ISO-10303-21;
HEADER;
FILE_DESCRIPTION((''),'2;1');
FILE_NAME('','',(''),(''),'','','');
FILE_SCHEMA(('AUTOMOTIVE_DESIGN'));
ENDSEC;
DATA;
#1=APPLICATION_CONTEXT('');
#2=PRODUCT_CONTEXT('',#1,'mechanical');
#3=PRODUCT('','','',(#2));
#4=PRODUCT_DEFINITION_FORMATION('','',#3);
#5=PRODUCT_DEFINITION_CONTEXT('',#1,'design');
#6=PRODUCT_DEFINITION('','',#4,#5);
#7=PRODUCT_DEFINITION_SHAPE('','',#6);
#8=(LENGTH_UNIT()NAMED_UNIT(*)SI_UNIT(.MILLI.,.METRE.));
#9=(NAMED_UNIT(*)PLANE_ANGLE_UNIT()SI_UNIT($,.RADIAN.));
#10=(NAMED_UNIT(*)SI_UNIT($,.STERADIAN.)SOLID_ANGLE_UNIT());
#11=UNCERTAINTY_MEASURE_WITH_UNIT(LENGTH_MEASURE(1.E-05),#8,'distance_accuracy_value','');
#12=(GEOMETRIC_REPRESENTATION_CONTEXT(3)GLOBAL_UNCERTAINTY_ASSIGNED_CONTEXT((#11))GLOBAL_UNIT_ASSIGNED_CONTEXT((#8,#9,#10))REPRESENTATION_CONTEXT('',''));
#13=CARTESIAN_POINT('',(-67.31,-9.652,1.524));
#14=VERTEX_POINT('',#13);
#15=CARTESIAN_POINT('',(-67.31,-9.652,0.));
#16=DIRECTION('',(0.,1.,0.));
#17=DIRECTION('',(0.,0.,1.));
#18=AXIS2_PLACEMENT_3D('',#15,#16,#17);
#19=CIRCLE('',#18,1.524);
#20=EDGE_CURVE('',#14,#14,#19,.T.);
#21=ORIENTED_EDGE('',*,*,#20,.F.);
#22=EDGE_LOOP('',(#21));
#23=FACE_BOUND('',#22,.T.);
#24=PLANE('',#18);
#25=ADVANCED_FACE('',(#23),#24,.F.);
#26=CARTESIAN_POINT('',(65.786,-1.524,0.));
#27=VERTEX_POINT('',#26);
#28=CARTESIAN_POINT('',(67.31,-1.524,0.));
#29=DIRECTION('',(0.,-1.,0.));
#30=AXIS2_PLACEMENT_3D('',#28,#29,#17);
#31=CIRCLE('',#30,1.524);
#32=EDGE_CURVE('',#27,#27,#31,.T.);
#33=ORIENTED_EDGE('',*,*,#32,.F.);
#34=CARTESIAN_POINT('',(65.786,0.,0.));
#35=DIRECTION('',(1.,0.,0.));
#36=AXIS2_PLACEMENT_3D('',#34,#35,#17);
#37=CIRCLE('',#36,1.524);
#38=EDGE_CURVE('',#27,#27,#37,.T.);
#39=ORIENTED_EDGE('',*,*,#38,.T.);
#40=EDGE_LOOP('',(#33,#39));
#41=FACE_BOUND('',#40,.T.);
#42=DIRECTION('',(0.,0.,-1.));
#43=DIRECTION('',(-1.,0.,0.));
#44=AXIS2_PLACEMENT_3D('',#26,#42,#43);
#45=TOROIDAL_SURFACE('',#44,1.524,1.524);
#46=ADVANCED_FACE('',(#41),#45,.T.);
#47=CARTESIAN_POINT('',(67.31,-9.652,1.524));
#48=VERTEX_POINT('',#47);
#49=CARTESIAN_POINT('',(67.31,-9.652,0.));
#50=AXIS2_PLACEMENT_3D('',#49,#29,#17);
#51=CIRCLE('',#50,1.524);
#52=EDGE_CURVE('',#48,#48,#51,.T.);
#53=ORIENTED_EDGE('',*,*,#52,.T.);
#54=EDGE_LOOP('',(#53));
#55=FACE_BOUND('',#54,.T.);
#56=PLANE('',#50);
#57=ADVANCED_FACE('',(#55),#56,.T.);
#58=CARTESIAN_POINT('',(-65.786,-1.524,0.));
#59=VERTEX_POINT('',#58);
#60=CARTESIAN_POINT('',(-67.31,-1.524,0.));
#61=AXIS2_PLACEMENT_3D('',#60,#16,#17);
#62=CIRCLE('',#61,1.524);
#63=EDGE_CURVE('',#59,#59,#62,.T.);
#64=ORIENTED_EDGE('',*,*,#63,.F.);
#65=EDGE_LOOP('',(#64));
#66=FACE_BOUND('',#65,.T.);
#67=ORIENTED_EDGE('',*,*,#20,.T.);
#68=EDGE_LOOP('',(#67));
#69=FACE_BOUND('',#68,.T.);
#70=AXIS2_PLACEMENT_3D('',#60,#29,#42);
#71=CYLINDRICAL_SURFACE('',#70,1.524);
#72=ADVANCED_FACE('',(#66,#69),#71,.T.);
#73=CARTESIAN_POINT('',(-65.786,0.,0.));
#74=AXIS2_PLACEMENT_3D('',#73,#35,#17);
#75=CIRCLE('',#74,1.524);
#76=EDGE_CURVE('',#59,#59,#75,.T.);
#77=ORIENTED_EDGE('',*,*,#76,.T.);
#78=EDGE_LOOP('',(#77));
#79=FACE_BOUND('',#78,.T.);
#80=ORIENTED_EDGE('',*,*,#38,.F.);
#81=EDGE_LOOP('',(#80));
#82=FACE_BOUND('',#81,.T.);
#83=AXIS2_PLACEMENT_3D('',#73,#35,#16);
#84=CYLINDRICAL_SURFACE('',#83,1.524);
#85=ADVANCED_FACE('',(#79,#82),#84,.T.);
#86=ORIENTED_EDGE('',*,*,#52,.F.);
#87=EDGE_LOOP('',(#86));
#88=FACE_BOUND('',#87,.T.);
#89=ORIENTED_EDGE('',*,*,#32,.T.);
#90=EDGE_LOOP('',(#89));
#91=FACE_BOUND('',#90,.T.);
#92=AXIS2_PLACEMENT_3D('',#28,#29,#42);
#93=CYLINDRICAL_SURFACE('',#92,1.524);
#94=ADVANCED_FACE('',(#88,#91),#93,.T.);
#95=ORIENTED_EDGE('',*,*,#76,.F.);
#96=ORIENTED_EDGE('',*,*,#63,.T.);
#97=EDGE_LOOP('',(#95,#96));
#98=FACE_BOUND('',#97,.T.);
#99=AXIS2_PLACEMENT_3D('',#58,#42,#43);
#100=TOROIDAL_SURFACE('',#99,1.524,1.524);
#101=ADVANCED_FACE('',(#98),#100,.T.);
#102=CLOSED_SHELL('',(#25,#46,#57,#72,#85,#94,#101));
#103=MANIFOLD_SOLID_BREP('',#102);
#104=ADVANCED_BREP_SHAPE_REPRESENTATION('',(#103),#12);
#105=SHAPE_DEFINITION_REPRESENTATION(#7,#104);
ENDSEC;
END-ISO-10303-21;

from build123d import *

# Parameters (mm, degrees)
SKETCH5_R = 1.524


with BuildPart() as part:
    # Sweep1: sweep along a path in Sketch1
    with BuildLine(Plane.XY) as sweep1_path:
        Line((-67.31, -9.652), (-67.31, -1.524))
        ThreePointArc((-67.31, -1.524), (-66.863630735, -0.446369265), (-65.786, 0))
        Line((-65.786, 0), (65.786, 0))
        ThreePointArc((65.786, 0), (66.863630735, -0.446369265), (67.31, -1.524))
        Line((67.31, -1.524), (67.31, -9.652))
    # Sketch5 → Sweep1 (sweep)
    with BuildSketch(Plane(origin=(0, -9.652, 0), x_dir=(-1, 0, 0), z_dir=(0, 1, 0))):
        with Locations((67.31, 0)):
            Circle(SKETCH5_R)
    sweep(path=sweep1_path.line)


solid = part.part
